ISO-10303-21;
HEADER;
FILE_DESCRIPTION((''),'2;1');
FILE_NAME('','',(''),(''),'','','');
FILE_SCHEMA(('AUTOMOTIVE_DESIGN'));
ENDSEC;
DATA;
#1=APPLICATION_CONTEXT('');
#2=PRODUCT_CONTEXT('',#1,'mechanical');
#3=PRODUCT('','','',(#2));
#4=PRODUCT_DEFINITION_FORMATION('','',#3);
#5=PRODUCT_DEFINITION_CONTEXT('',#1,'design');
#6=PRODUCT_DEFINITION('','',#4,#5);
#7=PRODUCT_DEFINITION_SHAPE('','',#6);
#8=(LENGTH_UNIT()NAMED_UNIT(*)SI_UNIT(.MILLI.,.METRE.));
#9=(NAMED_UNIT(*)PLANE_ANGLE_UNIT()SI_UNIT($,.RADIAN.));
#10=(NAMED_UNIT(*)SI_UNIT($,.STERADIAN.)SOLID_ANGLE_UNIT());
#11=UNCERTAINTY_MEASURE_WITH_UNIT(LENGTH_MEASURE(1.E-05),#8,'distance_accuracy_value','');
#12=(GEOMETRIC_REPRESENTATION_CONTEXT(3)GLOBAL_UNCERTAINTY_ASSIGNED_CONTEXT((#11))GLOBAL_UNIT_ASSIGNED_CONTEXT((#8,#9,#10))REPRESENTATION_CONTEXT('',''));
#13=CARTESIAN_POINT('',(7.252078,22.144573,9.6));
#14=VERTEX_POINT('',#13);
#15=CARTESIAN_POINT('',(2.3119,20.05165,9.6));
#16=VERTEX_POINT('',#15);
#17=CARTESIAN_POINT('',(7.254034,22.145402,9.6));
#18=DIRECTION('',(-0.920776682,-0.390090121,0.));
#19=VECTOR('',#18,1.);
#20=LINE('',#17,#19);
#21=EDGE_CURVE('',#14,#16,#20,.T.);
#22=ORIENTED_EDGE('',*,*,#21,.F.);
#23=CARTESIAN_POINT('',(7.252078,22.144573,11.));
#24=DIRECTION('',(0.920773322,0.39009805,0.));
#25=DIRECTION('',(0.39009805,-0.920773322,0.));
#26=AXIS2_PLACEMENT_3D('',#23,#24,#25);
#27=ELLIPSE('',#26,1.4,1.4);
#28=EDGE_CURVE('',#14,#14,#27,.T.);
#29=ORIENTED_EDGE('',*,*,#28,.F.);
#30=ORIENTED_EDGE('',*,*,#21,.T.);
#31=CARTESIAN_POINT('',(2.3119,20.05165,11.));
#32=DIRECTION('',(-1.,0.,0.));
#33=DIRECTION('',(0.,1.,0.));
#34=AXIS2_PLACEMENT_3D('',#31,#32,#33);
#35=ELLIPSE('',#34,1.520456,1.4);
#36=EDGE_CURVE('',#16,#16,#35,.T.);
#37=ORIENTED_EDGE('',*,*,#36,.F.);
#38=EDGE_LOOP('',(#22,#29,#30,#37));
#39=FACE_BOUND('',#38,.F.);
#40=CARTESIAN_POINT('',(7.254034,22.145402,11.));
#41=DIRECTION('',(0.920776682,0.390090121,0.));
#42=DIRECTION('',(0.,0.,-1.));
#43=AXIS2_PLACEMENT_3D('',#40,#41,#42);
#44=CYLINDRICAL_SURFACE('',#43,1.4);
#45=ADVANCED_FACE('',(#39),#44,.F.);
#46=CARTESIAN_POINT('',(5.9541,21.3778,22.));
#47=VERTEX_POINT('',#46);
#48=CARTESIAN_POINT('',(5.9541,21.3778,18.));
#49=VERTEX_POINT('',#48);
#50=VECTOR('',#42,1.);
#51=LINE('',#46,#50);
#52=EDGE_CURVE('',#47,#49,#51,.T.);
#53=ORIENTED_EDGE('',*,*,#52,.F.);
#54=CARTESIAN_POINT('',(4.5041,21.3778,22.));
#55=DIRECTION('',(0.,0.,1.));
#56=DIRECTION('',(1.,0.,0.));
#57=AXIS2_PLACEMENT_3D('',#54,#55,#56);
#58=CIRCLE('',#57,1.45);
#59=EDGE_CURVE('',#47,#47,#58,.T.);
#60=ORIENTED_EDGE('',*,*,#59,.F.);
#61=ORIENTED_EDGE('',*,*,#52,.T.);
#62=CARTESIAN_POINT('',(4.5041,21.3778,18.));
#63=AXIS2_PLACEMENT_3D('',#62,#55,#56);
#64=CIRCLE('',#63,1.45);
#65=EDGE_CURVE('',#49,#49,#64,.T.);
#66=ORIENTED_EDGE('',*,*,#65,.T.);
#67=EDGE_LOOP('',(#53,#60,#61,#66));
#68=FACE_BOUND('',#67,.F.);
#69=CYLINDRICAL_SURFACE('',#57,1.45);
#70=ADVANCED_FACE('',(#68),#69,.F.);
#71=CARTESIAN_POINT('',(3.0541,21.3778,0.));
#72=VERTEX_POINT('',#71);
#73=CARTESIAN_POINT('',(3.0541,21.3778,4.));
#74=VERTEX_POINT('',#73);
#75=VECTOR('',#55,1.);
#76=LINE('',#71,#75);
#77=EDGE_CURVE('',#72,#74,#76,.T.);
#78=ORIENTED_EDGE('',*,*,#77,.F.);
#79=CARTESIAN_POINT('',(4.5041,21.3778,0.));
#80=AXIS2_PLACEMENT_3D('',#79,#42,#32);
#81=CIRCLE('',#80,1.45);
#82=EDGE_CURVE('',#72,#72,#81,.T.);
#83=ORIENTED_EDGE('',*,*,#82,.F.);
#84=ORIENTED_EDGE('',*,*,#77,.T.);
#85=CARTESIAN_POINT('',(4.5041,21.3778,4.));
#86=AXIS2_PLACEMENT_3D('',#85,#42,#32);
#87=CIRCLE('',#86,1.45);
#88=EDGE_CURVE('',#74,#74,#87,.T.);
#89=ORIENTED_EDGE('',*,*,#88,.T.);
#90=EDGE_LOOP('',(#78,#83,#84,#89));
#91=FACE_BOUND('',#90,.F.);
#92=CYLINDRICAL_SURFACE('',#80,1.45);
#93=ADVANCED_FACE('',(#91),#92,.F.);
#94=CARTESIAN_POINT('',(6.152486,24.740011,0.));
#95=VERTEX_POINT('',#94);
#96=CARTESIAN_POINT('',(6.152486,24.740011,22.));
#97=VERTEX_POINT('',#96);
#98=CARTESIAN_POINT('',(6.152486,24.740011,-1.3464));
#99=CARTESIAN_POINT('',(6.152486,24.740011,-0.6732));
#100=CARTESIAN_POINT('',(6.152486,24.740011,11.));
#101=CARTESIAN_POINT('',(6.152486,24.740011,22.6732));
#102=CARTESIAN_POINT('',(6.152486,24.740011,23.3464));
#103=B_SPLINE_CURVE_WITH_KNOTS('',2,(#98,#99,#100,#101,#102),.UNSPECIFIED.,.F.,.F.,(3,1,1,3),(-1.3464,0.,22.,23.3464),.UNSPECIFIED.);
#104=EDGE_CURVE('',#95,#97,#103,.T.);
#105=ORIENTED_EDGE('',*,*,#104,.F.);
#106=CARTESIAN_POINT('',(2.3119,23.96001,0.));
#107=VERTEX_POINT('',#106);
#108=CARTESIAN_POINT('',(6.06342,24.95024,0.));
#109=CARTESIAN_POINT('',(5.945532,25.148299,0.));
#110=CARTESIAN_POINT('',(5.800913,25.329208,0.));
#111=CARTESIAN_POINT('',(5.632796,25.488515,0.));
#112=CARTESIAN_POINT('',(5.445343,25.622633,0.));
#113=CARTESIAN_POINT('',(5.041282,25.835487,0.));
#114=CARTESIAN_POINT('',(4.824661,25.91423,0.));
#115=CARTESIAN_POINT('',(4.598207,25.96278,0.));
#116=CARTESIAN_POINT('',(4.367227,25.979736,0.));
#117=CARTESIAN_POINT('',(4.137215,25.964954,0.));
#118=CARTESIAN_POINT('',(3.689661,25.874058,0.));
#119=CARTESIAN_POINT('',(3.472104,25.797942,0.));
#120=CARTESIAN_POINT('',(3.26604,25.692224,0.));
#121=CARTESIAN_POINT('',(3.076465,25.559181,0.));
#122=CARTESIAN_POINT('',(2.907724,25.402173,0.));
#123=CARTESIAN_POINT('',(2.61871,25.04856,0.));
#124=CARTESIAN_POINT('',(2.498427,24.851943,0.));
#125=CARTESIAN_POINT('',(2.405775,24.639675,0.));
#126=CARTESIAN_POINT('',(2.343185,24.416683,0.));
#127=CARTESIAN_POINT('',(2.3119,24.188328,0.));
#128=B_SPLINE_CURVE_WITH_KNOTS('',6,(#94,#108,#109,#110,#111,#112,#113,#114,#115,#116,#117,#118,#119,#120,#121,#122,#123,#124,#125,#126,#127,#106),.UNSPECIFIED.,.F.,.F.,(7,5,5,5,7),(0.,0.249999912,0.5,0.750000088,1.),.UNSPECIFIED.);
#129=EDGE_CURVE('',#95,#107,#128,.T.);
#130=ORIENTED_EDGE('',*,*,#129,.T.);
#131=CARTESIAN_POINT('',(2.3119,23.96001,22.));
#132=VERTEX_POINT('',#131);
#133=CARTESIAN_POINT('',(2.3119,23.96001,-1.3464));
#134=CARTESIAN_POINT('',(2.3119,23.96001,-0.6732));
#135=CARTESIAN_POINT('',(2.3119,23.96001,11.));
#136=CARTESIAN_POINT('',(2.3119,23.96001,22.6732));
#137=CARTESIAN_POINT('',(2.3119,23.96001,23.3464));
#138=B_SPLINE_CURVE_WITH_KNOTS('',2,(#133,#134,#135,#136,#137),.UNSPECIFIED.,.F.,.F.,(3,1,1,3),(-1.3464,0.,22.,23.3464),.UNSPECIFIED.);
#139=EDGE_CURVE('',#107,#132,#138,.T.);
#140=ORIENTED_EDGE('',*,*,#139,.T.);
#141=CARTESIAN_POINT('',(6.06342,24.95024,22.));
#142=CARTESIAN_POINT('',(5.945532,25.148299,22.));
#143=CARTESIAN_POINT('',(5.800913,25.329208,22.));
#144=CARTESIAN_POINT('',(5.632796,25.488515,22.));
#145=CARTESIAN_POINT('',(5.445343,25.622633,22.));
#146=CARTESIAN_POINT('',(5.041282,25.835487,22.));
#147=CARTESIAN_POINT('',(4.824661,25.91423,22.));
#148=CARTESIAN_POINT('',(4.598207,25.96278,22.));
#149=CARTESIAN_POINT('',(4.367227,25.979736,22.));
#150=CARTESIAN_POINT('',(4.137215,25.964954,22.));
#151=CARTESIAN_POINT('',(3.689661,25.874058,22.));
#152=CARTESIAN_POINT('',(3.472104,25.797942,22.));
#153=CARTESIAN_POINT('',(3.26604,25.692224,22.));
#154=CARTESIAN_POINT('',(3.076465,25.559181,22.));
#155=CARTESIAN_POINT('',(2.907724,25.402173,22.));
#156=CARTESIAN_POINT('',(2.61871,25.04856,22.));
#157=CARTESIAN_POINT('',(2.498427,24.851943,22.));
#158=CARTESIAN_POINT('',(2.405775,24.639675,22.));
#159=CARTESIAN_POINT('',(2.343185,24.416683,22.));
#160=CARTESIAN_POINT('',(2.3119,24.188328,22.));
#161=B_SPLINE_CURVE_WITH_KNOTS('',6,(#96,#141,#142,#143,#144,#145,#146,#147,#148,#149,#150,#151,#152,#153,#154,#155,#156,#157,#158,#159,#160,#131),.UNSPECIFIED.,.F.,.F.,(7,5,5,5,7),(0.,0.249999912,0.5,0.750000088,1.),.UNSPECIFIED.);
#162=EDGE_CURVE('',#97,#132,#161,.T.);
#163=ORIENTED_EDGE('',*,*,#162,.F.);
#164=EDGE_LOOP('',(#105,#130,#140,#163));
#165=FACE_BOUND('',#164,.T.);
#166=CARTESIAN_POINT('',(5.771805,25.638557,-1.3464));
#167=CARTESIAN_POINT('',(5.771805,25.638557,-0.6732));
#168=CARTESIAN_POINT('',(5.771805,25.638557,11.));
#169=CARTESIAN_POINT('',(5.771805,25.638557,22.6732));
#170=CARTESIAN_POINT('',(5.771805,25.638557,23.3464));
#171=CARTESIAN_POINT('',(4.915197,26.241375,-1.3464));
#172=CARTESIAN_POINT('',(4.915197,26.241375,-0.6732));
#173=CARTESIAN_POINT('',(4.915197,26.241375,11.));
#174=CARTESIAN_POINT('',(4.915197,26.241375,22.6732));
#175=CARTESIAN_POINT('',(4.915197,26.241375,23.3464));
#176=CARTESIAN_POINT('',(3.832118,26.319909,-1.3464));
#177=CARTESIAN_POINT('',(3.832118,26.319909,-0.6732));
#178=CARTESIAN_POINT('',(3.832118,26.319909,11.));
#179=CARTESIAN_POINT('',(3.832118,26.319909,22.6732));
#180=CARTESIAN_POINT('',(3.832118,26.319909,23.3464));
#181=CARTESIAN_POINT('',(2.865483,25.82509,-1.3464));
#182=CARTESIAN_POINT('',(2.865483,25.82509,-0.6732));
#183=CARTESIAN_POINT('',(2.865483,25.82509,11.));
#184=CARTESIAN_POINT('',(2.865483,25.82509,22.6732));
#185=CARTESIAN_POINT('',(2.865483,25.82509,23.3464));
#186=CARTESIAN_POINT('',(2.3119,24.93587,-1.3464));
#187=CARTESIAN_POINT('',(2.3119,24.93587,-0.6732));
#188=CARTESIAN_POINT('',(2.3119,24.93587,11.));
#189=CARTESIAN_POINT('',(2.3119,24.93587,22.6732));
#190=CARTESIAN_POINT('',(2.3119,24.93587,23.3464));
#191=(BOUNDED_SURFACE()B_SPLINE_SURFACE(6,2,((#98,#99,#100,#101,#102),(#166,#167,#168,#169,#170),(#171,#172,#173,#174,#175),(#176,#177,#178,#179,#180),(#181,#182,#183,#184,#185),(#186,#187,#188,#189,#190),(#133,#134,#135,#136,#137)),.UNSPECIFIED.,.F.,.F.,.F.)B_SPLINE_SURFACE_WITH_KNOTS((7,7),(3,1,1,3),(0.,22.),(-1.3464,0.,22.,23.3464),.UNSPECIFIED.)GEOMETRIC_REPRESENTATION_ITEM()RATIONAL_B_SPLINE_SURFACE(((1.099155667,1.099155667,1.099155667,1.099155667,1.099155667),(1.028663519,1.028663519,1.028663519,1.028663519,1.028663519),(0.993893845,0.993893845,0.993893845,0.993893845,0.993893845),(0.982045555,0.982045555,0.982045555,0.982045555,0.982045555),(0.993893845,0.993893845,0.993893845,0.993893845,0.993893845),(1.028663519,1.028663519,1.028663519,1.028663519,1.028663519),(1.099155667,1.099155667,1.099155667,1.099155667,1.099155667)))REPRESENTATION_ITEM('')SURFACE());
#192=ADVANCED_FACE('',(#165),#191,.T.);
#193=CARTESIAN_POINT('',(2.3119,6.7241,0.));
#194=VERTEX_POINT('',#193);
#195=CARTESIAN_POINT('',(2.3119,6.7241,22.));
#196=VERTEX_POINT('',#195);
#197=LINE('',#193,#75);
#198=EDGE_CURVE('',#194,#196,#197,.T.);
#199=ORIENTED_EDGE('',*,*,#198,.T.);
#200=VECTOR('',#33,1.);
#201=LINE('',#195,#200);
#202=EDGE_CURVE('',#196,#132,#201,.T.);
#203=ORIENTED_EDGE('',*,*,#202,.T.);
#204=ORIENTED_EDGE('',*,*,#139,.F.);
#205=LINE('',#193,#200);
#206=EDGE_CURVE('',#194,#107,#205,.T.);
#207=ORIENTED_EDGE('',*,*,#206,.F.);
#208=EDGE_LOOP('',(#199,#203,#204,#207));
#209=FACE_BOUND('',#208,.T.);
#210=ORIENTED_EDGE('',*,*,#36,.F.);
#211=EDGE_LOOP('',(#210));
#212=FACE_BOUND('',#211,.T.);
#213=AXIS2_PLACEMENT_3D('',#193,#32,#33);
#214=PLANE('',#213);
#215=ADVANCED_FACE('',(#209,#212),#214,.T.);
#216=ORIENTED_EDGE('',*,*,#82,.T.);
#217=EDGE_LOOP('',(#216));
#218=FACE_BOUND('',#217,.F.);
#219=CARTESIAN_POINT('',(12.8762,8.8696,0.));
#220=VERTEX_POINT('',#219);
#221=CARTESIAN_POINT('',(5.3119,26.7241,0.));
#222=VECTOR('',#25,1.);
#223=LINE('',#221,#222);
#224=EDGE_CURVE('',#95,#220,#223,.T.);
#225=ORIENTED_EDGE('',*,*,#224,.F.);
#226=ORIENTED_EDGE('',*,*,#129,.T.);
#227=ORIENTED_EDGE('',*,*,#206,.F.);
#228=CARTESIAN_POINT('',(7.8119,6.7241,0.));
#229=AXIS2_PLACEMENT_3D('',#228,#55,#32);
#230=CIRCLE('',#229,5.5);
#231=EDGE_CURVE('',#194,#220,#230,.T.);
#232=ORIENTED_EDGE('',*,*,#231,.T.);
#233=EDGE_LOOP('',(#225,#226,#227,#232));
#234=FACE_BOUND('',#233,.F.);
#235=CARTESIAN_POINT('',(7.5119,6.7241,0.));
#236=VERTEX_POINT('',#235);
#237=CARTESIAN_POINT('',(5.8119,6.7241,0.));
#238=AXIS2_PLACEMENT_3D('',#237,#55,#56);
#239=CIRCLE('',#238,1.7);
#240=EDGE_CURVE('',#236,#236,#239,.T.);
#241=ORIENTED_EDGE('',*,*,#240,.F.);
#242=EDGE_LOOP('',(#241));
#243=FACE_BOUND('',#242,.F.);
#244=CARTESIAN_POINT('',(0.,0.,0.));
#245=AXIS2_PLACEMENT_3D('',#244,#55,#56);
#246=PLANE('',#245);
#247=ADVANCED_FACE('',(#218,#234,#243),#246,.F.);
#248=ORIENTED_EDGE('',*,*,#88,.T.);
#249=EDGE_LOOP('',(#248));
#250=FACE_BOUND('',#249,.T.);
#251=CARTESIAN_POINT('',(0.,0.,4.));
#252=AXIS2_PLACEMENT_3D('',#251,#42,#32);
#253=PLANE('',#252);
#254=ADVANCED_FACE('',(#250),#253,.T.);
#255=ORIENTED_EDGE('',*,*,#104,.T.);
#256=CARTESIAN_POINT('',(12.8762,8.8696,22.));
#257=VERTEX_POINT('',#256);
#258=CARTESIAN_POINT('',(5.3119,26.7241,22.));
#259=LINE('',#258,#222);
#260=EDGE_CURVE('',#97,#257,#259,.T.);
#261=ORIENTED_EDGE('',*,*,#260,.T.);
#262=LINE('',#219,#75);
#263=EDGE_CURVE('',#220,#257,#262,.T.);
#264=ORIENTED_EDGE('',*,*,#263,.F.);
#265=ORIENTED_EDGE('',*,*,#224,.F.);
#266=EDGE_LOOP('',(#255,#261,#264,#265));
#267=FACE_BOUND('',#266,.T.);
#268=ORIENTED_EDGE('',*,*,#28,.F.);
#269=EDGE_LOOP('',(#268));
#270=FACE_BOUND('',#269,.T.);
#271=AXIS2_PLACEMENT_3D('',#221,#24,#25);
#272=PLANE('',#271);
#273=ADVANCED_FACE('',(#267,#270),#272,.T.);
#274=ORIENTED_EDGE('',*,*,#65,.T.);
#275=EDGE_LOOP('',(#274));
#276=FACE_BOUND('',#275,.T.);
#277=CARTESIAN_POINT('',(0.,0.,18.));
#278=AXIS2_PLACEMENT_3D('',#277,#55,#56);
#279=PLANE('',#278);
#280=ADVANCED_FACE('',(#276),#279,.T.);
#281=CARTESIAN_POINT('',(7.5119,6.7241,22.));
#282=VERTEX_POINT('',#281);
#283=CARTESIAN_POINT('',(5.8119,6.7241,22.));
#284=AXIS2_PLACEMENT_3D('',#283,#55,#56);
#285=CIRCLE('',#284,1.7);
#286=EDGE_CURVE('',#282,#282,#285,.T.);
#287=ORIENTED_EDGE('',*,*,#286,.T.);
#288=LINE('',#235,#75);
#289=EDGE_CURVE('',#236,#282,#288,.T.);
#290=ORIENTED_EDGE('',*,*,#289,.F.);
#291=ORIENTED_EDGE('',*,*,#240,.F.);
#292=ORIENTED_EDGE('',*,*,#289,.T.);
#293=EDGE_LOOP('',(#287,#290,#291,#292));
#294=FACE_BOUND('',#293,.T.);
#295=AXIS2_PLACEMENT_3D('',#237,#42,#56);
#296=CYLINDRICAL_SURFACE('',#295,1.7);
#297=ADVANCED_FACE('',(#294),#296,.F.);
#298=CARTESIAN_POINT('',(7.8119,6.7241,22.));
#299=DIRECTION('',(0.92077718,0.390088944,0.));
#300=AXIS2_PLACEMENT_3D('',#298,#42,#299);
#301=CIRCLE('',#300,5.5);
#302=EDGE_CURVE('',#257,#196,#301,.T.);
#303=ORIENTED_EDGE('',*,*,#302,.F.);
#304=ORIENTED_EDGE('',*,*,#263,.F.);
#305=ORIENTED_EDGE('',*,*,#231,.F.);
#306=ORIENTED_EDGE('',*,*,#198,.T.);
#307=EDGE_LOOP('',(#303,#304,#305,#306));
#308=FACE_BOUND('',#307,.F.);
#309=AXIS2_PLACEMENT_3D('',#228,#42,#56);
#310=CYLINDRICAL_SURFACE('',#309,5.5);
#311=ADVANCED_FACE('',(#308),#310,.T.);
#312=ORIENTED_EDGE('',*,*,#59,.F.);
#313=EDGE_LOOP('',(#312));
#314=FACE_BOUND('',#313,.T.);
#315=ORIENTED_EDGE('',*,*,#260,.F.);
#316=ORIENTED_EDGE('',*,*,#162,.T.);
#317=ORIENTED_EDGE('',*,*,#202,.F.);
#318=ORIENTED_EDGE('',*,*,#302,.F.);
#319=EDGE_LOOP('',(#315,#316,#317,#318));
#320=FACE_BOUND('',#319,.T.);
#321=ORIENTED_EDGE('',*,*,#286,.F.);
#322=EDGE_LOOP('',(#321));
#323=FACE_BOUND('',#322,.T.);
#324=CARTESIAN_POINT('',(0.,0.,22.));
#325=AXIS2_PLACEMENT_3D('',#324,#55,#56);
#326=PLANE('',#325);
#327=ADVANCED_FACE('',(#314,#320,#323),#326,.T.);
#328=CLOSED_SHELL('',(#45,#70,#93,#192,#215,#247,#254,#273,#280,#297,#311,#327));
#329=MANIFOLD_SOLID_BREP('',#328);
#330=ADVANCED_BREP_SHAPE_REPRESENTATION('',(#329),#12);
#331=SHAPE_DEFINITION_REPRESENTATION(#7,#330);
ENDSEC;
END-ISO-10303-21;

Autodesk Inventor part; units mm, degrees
ref_plane "YZ Plane" through (0, 0, 0) normal (1, 0, 0) x (0, 1, 0)
ref_plane "XZ Plane" through (0, 0, 0) normal (0, 1, 0) x (-1, 0, 0)
ref_plane "XY Plane" through (0, 0, 0) normal (0, 0, 1) x (1, 0, 0)
sketch "Skizze1" plane through (0, 0, 0) normal (0, 0, 1) x (1, 0, 0)
  circle A0 centre (5.8119, 6.7241) radius 1.5 projected
  circle A1 centre (7.8119, 6.7241) radius 5.5
  line L0 (2.3119, 6.7241) -> (2.3119, 24.7241)
  line L1 (4.3119, 26.7241) -> (5.3119, 26.7241)
  line L2 (5.3119, 26.7241) -> (12.8762, 8.8696)
  arc A2 (4.3119, 26.7241) -> (2.3119, 24.7241) centre (4.3119, 24.7241) ccw
  circle A3 centre (5.8119, 6.7241) radius 1.7
  point P0 (0, 0)
  point P1 (2.3119, 26.7241)
  dimension "d0" = 20
  dimension "d1" = 3
  dimension "d2" = 2
  dimension "d3" = 2
  dimension "d6" = 0.2
  dimension "d14" = 11
extrude "Extrusion1" add sketch "Skizze1" along normal blind 22 contours A1 | A1 L0 A2 L1 L2
fillet "Rundung1" radius 2 1 edges at (5.3119, 26.7241, 11)
sketch "Skizze2" plane through (0, 0, 0) normal (0, 0, -1) x (-1, 0, 0)
  circle A0 centre (-5.8119, 6.7241) radius 1.7 projected
  arc A1 (-2.3119, 23.9575) -> (-6.1535, 24.7377) centre (-4.3119, 23.9575) ccw projected
  line L0 (-12.8762, 8.8696) -> (-6.1535, 24.7377) projected
  arc A2 (-12.8762, 8.8696) -> (-2.3119, 6.7241) centre (-7.8119, 6.7241) ccw projected
  line L1 (-2.3119, 23.9575) -> (-2.3119, 6.7241) projected
  circle A3 centre (-4.5041, 21.3778) radius 1.45
  point P0 (0, 0)
  dimension "d8" = 2.9
extrude "Extrusion2" cut sketch "Skizze2" against normal blind 4 contours A3
sketch "Skizze3" plane through (0, 0, 22) normal (0, 0, 1) x (1, 0, 0)
  circle A0 centre (4.5041, 21.3778) radius 1.45 projected
  point P0 (0, 0)
extrude "Extrusion3" cut sketch "Skizze3" against normal blind 4
ref_plane "Arbeitsebene1" through (50, 0, 23) normal (0, 0, -1) x (-1, 0, 0)
sketch "Skizze4" plane through (50, 0, 23) normal (0, 0, -1) x (-1, 0, 0)
  circle A0 centre (45.4959, 21.3778) radius 1.45 projected
  circle A1 centre (44.1881, 6.7241) radius 1.7 projected
  circle A2 centre (44.1881, 6.7241) radius 1.7 projected
  circle A3 centre (45.4959, 21.3778) radius 1.45 projected
  circle A4 centre (44.1881, 6.7241) radius 14.712
  circle A5 centre (29.4761, 6.7241) radius 1.45
  point P0 (50, 0)
  dimension "d13" = 2.9
sketch "Skizze5" plane through (12.8762, 8.8696, 22) normal (0.9208, 0.3901, 0) x (0, 0, -1)
  line L0 (0, 17.2334) -> (22, 17.2334) projected
  line L1 (0, 0) -> (0, 17.2334) projected
  line L2 (22, 0) -> (0, 0) projected
  line L3 (22, 0) -> (22, 17.2334) projected
  circle A0 centre (11, 14.4172) radius 1.4
  point P0 (22, -3.1439)
  dimension "d15" = 2.8
extrude "Extrusion4" cut sketch "Skizze5" against normal blind 10 contours A0
properties part number "Anglerfish_coverslipclamp_levelarm"
